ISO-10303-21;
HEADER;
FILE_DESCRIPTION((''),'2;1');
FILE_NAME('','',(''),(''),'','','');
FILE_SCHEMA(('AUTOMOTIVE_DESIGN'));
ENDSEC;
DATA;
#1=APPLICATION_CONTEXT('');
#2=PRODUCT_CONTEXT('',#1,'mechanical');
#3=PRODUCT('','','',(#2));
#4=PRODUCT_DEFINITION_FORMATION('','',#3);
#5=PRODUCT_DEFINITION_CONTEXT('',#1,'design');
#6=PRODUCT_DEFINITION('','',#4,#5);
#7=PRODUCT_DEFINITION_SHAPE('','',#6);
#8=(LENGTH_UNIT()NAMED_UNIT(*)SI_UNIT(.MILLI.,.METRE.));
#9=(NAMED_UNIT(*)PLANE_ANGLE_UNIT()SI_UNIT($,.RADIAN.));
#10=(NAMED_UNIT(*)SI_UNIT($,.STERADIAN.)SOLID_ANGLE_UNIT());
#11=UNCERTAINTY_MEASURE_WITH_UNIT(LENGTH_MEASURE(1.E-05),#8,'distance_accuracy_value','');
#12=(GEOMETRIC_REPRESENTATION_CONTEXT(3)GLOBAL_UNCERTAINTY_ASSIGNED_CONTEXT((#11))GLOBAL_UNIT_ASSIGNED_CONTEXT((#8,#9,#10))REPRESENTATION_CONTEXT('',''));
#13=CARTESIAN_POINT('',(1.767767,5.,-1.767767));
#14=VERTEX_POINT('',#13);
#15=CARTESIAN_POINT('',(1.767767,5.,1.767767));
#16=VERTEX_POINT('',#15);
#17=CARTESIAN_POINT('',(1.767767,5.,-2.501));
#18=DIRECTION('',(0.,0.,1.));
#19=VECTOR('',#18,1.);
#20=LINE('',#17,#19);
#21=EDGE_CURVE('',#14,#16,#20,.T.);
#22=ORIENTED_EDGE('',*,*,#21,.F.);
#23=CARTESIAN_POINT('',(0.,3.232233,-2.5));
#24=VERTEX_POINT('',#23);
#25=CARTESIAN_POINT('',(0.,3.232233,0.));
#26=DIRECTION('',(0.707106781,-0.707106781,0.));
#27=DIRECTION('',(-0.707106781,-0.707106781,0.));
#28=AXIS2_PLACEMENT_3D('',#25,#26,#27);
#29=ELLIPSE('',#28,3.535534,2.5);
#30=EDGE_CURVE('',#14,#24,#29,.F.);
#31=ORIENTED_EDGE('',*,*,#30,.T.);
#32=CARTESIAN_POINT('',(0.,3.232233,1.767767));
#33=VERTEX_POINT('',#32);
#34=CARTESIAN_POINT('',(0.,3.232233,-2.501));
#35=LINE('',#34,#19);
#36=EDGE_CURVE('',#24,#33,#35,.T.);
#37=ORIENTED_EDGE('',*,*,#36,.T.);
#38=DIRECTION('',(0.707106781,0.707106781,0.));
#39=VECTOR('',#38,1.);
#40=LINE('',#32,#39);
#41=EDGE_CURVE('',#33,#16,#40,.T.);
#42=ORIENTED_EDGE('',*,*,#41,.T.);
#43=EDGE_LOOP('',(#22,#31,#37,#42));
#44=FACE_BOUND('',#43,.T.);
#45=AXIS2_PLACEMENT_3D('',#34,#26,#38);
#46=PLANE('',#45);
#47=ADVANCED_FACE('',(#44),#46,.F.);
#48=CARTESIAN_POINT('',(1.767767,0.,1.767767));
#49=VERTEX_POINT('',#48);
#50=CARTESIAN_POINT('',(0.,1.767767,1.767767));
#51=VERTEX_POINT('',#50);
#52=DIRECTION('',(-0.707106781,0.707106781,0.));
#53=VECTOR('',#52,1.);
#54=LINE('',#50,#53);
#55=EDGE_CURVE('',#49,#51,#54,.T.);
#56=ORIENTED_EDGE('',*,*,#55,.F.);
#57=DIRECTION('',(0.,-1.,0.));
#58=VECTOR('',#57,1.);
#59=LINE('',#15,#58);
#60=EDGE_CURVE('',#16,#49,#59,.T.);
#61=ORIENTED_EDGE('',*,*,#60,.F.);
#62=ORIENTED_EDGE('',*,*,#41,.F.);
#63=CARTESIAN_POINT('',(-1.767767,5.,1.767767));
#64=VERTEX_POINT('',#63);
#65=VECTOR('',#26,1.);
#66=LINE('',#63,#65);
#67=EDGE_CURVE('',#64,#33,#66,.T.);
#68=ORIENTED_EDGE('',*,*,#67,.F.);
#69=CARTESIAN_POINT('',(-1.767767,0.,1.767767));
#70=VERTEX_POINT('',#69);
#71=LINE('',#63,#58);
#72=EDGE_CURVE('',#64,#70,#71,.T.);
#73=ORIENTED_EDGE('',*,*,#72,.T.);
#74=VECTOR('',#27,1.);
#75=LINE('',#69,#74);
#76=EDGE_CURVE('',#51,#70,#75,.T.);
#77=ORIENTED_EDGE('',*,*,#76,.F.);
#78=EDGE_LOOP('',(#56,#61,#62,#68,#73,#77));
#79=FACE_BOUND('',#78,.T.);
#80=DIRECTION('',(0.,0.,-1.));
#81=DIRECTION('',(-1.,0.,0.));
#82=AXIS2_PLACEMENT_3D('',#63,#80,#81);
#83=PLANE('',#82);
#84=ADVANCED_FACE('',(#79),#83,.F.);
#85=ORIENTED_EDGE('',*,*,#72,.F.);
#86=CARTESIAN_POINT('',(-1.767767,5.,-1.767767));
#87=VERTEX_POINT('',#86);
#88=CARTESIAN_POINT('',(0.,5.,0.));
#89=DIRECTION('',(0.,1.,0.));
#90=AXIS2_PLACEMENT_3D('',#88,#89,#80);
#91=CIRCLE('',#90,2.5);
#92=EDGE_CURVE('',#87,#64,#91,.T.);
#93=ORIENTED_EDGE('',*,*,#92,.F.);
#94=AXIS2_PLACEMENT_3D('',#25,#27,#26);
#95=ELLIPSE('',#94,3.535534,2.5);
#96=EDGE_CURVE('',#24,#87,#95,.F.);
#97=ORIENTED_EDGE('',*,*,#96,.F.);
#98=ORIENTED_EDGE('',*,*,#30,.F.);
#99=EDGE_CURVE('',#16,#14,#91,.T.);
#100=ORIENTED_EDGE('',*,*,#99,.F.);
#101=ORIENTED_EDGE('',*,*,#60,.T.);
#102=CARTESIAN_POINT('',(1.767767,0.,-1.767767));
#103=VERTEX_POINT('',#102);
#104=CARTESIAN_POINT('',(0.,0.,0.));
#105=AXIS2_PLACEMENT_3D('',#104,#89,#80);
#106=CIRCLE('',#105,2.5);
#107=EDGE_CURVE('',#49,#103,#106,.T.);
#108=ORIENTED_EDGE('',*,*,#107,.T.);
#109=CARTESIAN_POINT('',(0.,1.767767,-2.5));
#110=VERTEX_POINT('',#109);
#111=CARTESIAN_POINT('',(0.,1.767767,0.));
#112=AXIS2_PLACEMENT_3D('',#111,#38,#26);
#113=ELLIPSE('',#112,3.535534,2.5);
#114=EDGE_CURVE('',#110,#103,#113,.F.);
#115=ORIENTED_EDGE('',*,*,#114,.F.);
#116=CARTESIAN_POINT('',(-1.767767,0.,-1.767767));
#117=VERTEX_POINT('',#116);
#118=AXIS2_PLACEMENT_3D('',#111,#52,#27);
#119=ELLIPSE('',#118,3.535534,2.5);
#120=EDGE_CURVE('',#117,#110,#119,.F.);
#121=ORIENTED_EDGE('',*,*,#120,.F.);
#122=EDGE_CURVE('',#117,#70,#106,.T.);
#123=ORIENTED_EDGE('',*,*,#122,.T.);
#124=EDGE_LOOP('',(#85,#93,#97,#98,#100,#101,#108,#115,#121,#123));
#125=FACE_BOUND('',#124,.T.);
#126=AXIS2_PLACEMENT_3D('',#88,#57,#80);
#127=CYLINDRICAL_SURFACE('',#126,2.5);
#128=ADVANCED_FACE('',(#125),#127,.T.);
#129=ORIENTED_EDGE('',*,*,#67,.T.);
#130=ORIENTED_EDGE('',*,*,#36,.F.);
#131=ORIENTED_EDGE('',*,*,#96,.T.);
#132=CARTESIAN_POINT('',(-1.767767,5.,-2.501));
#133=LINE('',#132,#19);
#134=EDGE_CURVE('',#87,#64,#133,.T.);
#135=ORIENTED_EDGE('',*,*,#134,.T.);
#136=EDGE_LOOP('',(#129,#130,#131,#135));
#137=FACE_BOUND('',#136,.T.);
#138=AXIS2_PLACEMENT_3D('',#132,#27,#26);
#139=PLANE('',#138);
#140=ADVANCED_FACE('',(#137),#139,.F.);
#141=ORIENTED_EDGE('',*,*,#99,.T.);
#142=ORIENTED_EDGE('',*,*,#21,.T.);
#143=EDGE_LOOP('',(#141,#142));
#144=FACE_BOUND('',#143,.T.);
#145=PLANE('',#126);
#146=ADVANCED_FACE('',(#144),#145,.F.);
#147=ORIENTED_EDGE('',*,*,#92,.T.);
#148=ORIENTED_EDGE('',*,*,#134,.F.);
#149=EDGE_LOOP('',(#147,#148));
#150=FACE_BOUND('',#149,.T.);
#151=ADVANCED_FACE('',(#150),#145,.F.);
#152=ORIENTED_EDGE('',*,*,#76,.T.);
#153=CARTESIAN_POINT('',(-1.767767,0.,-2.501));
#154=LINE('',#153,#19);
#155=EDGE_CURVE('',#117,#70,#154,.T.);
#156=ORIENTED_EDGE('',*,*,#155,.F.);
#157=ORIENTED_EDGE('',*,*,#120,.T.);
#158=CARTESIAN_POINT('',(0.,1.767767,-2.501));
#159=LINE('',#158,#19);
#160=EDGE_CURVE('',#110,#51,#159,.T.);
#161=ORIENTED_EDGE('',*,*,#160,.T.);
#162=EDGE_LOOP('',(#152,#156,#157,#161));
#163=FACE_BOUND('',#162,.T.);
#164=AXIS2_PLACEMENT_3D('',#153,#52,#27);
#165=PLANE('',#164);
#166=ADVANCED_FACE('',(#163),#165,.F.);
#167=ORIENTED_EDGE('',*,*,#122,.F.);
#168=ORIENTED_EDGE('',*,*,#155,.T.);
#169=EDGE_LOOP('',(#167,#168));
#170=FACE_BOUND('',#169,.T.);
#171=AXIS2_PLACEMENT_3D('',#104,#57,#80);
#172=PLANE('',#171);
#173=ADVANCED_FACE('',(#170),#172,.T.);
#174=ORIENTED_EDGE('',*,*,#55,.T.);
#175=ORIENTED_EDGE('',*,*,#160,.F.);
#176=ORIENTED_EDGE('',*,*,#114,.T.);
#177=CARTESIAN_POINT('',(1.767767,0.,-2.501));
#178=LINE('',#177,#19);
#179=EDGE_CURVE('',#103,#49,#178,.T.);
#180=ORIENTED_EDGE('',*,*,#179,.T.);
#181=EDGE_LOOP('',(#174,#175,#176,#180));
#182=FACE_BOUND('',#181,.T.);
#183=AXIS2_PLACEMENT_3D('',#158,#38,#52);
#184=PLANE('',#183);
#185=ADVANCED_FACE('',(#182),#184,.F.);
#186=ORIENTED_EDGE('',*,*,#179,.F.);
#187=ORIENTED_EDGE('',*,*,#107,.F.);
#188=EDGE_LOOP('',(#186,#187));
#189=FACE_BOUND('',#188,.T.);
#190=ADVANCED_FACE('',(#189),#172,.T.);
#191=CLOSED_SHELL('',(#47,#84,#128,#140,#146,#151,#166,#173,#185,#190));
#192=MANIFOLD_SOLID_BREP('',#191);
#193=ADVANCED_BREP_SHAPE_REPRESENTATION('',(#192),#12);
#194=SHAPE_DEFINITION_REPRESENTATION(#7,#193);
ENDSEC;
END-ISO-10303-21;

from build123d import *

# Parameters (mm, degrees)
BOSS_EXTRUDE1_DEPTH     = 5
CUT_EXTRUDE1_REACH      = 9.033
CUT_EXTRUDE1_END_RADIUS = 2.5


with BuildPart() as part:
    # Sketch1 → Boss-Extrude1 (new body)
    with BuildSketch(Plane(origin=(0, 0, 0), x_dir=(1, 0, 0), z_dir=(0, 1, 0))):
        with BuildLine():
            Line((-1.767766953, -1.767766953), (1.767766953, -1.767766953))
            ThreePointArc((1.767766953, -1.767766953), (0, 2.5), (-1.767766953, -1.767766953))
        make_face()
    extrude(amount=BOSS_EXTRUDE1_DEPTH)

    # Cut-Extrude1: up to this cylinder (the profile starts inside it)
    cut_extrude1_end = Plane(origin=(0, 2.5, 0), z_dir=(0, -1, 0)) * Cylinder(CUT_EXTRUDE1_END_RADIUS, 27.887488, mode=Mode.PRIVATE)
    # Sketch2 → Cut-Extrude1 (cut, up to the surface)
    with BuildSketch(Plane.XY.offset(1.767766953), mode=Mode.PRIVATE) as cut_extrude1_sk1:
        Polygon((-1.767766953, 0), (0, 1.767766953), (1.767766953, 0), align=None)
    cut_extrude1_tool1 = extrude(cut_extrude1_sk1.sketch, amount=-CUT_EXTRUDE1_REACH, mode=Mode.PRIVATE) & cut_extrude1_end
    add(cut_extrude1_tool1.solids().sort_by_distance((0, 0.589256, 1.767767))[0], mode=Mode.SUBTRACT)
    # Sketch2 → Cut-Extrude1 (cut, up to the surface)
    with BuildSketch(Plane.XY.offset(1.767766953), mode=Mode.PRIVATE) as cut_extrude1_sk2:
        Polygon((-1.767766953, 5), (0, 3.232233047), (1.767766953, 5), align=None)
    cut_extrude1_tool2 = extrude(cut_extrude1_sk2.sketch, amount=-CUT_EXTRUDE1_REACH, mode=Mode.PRIVATE) & cut_extrude1_end
    add(cut_extrude1_tool2.solids().sort_by_distance((0, 4.410744, 1.767767))[0], mode=Mode.SUBTRACT)


solid = part.part
